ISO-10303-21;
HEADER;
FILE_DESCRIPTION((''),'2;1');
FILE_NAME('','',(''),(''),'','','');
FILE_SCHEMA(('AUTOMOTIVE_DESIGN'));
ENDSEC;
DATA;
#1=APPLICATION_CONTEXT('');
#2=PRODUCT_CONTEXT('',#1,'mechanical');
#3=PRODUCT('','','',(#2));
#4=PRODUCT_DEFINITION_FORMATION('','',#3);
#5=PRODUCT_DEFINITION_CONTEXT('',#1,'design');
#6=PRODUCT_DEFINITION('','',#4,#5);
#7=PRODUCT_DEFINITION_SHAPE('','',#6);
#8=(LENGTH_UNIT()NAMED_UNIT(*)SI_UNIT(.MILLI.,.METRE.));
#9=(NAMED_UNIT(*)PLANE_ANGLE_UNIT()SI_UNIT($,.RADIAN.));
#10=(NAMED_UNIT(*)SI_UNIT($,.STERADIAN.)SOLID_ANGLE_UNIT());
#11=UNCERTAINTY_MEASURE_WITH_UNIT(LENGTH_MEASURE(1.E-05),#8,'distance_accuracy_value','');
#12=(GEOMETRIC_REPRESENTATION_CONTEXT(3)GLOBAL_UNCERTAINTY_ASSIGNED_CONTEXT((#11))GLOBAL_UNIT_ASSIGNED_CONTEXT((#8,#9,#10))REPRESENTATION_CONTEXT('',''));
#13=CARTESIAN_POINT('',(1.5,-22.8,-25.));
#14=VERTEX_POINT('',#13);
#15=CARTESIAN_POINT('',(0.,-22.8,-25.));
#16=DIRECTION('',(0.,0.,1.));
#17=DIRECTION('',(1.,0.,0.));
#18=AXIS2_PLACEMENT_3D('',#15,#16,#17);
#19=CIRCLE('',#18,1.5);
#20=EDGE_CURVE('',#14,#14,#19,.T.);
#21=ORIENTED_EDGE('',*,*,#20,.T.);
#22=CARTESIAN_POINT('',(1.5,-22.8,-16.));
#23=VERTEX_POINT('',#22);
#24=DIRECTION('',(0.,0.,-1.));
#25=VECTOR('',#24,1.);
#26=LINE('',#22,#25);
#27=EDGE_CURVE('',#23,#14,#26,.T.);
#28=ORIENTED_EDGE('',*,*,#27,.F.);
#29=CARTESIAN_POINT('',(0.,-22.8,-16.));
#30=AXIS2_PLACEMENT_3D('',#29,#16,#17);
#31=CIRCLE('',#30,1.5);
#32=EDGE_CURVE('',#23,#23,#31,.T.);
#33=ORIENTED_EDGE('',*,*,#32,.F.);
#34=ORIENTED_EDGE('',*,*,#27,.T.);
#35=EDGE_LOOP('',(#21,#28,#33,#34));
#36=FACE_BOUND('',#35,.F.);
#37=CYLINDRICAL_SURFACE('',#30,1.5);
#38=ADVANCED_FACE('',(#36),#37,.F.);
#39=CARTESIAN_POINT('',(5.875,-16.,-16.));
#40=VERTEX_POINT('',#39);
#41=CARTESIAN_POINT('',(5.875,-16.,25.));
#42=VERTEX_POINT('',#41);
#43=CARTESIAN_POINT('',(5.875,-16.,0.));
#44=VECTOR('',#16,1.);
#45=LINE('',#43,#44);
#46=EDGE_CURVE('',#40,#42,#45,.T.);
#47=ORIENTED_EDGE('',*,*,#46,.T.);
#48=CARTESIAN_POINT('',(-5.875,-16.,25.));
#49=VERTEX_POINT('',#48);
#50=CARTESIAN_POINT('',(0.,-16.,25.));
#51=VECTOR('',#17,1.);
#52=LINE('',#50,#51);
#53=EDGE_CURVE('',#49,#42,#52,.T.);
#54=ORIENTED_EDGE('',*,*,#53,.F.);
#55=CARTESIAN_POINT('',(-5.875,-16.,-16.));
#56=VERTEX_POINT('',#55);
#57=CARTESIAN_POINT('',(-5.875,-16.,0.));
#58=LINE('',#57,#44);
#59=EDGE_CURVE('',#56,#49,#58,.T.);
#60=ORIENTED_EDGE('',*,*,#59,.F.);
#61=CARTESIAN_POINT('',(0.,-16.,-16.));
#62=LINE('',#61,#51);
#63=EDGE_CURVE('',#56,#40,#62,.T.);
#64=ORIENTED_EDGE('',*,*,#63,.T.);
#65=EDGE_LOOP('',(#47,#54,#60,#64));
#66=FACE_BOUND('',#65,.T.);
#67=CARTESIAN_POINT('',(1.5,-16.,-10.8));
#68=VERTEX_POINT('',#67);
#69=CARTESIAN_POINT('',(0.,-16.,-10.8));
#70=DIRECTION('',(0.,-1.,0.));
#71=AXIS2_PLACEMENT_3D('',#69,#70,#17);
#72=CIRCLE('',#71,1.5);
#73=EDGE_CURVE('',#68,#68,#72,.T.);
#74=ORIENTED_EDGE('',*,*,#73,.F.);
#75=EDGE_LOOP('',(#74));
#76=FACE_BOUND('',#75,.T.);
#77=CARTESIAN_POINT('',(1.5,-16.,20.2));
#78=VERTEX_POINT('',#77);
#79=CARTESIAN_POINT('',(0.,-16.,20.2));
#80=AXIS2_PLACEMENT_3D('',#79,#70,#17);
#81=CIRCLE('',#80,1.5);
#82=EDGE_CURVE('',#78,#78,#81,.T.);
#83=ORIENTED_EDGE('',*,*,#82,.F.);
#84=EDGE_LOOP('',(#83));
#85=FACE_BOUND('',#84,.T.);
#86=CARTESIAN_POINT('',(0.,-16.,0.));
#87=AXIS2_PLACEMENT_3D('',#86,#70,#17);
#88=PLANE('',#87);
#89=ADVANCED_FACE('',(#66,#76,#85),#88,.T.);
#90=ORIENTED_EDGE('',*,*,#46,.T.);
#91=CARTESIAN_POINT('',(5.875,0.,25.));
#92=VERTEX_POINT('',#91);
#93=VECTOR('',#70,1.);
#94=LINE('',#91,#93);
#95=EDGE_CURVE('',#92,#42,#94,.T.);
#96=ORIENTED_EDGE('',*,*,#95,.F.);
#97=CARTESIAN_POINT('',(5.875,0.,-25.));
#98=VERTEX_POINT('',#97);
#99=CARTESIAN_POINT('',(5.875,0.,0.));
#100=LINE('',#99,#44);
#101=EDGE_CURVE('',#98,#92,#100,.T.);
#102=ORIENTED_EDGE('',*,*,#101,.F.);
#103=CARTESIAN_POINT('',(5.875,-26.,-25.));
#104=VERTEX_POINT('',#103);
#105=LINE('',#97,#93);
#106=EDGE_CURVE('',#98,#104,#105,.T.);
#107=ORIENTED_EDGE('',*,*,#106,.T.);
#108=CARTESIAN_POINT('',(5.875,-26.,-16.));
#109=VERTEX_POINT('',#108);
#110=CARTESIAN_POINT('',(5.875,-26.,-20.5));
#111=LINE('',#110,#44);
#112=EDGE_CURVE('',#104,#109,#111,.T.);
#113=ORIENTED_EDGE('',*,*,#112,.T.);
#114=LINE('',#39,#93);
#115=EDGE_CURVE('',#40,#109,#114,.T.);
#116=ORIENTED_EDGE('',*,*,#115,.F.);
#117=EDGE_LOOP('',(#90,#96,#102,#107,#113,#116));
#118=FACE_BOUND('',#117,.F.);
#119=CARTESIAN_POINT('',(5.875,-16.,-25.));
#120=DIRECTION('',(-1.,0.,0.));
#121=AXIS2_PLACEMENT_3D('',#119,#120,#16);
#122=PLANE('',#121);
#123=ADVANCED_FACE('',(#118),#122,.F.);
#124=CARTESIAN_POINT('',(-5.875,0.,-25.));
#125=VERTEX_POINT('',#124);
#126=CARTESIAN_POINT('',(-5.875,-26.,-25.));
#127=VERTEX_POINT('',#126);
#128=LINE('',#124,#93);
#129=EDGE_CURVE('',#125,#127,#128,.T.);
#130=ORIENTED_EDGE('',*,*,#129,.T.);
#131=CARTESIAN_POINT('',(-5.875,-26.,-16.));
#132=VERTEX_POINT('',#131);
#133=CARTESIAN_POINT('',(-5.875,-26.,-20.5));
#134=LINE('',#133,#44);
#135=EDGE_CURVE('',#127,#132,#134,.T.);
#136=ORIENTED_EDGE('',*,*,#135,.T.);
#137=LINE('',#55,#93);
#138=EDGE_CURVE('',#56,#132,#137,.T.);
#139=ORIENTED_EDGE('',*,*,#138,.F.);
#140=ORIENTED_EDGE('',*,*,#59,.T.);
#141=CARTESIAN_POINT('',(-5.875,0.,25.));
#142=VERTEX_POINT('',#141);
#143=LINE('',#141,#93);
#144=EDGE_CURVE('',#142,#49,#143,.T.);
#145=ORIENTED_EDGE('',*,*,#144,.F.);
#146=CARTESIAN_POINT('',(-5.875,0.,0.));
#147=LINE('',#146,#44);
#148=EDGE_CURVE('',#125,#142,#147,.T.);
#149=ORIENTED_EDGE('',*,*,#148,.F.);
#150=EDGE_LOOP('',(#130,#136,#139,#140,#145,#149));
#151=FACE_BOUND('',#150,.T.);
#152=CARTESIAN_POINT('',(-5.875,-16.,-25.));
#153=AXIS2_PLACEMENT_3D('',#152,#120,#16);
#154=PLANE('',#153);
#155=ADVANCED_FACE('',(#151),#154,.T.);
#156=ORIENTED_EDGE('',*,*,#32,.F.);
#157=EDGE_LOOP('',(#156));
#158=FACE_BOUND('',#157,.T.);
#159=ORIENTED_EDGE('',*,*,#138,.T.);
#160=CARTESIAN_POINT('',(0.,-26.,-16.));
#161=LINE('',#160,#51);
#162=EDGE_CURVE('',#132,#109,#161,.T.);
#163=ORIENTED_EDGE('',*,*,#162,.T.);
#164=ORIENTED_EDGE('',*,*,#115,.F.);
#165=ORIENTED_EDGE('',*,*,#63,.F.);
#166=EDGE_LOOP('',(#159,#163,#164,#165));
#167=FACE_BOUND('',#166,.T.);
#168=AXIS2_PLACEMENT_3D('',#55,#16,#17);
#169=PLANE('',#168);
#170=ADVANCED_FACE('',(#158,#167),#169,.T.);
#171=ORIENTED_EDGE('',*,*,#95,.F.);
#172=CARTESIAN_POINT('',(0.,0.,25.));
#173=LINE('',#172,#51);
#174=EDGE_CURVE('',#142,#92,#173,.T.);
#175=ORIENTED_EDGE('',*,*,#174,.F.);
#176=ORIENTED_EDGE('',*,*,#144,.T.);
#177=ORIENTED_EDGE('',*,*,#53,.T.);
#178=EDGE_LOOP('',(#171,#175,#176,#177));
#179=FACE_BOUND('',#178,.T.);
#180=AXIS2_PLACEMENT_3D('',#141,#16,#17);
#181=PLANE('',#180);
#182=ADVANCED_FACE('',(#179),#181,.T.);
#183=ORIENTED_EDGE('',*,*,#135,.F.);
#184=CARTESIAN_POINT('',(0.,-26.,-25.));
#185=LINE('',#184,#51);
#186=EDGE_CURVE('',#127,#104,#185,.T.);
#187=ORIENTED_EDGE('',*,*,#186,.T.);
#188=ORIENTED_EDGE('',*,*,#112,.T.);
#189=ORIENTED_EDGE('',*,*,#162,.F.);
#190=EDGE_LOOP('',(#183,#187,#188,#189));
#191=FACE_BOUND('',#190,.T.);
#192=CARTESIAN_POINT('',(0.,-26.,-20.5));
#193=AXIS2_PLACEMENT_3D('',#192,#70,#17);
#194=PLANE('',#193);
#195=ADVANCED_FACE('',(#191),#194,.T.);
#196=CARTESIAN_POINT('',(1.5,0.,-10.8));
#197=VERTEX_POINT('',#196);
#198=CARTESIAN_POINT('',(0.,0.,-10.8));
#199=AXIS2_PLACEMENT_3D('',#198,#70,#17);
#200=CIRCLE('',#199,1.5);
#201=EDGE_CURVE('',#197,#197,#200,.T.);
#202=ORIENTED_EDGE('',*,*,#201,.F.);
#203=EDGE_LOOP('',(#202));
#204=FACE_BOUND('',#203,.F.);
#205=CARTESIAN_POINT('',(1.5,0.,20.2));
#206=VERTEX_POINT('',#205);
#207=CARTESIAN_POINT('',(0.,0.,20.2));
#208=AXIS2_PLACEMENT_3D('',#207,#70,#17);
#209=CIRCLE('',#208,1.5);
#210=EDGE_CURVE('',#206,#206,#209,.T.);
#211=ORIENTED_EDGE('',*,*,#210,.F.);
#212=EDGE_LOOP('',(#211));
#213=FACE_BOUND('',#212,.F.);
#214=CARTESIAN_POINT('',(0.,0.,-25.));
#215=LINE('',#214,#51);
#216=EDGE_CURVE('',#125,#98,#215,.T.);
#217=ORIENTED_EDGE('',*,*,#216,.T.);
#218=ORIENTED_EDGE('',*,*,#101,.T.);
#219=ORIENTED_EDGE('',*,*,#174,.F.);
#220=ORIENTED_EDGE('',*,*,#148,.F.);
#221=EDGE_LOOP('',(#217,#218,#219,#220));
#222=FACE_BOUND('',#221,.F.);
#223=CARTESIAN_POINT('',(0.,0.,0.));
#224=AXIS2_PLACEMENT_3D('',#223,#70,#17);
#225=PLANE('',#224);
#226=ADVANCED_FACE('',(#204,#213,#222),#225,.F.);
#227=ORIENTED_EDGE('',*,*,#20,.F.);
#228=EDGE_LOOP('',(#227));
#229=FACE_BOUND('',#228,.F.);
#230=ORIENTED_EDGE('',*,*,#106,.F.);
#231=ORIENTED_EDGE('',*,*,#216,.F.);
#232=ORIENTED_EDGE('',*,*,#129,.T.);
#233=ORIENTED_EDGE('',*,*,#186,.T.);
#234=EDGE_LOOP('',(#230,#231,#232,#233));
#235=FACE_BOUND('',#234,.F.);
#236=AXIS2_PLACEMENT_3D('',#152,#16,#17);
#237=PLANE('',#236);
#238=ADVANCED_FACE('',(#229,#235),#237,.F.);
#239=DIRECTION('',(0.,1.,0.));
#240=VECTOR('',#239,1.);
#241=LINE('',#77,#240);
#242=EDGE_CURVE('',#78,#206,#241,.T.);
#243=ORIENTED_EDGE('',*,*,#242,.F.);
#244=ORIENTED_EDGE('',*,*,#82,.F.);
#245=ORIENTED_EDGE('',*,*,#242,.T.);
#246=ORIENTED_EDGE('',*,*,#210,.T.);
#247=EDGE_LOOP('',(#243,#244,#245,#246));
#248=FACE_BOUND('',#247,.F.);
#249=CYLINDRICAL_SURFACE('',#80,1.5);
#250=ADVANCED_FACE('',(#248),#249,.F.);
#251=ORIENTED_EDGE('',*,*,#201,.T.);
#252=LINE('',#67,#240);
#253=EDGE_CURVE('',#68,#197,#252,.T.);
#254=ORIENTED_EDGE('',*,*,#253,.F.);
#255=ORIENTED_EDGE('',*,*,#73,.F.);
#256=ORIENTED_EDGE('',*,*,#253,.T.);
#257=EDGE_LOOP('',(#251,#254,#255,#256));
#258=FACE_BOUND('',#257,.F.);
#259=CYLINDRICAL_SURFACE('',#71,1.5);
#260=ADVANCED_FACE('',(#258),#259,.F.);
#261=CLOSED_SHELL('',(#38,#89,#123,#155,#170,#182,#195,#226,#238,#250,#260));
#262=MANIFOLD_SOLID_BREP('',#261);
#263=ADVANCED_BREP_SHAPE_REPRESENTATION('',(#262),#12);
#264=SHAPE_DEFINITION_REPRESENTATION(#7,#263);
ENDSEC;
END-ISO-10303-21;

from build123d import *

# Parameters (mm, degrees)
F0_W     = 11.75
F0_H     = 50
F1_DEPTH = 16
F2_R     = 1.5
F3_DEPTH = 16.001
F4_W     = 11.75
F4_H     = 9
F5_DEPTH = 10
F6_R     = 1.5
F7_DEPTH = 9.001


with BuildPart() as f1:
    # F0 (on Front) → F1 (new body)
    with BuildSketch(Plane.XZ):
        Rectangle(F0_W, F0_H)
    extrude(amount=F1_DEPTH)

    # F2 (on face) → F3 (cut, through all)
    with BuildSketch(Plane.XZ.offset(16)):
        with Locations((0, 20.2)):
            Circle(F2_R)
        with Locations((0, -10.8)):
            Circle(F2_R)
    extrude(amount=-F3_DEPTH, mode=Mode.SUBTRACT)

    # F4 (on face) → F5 (join)
    with BuildSketch(Plane.XZ.offset(16)):
        with Locations((0, -20.5)):
            Rectangle(F4_W, F4_H)
    extrude(amount=F5_DEPTH)

    # F6 (on face) → F7 (cut, through all)
    with BuildSketch(Plane.XY.offset(-16)):
        with Locations((0, -22.8)):
            Circle(F6_R)
    extrude(amount=-F7_DEPTH, mode=Mode.SUBTRACT)


solid = f1.part
